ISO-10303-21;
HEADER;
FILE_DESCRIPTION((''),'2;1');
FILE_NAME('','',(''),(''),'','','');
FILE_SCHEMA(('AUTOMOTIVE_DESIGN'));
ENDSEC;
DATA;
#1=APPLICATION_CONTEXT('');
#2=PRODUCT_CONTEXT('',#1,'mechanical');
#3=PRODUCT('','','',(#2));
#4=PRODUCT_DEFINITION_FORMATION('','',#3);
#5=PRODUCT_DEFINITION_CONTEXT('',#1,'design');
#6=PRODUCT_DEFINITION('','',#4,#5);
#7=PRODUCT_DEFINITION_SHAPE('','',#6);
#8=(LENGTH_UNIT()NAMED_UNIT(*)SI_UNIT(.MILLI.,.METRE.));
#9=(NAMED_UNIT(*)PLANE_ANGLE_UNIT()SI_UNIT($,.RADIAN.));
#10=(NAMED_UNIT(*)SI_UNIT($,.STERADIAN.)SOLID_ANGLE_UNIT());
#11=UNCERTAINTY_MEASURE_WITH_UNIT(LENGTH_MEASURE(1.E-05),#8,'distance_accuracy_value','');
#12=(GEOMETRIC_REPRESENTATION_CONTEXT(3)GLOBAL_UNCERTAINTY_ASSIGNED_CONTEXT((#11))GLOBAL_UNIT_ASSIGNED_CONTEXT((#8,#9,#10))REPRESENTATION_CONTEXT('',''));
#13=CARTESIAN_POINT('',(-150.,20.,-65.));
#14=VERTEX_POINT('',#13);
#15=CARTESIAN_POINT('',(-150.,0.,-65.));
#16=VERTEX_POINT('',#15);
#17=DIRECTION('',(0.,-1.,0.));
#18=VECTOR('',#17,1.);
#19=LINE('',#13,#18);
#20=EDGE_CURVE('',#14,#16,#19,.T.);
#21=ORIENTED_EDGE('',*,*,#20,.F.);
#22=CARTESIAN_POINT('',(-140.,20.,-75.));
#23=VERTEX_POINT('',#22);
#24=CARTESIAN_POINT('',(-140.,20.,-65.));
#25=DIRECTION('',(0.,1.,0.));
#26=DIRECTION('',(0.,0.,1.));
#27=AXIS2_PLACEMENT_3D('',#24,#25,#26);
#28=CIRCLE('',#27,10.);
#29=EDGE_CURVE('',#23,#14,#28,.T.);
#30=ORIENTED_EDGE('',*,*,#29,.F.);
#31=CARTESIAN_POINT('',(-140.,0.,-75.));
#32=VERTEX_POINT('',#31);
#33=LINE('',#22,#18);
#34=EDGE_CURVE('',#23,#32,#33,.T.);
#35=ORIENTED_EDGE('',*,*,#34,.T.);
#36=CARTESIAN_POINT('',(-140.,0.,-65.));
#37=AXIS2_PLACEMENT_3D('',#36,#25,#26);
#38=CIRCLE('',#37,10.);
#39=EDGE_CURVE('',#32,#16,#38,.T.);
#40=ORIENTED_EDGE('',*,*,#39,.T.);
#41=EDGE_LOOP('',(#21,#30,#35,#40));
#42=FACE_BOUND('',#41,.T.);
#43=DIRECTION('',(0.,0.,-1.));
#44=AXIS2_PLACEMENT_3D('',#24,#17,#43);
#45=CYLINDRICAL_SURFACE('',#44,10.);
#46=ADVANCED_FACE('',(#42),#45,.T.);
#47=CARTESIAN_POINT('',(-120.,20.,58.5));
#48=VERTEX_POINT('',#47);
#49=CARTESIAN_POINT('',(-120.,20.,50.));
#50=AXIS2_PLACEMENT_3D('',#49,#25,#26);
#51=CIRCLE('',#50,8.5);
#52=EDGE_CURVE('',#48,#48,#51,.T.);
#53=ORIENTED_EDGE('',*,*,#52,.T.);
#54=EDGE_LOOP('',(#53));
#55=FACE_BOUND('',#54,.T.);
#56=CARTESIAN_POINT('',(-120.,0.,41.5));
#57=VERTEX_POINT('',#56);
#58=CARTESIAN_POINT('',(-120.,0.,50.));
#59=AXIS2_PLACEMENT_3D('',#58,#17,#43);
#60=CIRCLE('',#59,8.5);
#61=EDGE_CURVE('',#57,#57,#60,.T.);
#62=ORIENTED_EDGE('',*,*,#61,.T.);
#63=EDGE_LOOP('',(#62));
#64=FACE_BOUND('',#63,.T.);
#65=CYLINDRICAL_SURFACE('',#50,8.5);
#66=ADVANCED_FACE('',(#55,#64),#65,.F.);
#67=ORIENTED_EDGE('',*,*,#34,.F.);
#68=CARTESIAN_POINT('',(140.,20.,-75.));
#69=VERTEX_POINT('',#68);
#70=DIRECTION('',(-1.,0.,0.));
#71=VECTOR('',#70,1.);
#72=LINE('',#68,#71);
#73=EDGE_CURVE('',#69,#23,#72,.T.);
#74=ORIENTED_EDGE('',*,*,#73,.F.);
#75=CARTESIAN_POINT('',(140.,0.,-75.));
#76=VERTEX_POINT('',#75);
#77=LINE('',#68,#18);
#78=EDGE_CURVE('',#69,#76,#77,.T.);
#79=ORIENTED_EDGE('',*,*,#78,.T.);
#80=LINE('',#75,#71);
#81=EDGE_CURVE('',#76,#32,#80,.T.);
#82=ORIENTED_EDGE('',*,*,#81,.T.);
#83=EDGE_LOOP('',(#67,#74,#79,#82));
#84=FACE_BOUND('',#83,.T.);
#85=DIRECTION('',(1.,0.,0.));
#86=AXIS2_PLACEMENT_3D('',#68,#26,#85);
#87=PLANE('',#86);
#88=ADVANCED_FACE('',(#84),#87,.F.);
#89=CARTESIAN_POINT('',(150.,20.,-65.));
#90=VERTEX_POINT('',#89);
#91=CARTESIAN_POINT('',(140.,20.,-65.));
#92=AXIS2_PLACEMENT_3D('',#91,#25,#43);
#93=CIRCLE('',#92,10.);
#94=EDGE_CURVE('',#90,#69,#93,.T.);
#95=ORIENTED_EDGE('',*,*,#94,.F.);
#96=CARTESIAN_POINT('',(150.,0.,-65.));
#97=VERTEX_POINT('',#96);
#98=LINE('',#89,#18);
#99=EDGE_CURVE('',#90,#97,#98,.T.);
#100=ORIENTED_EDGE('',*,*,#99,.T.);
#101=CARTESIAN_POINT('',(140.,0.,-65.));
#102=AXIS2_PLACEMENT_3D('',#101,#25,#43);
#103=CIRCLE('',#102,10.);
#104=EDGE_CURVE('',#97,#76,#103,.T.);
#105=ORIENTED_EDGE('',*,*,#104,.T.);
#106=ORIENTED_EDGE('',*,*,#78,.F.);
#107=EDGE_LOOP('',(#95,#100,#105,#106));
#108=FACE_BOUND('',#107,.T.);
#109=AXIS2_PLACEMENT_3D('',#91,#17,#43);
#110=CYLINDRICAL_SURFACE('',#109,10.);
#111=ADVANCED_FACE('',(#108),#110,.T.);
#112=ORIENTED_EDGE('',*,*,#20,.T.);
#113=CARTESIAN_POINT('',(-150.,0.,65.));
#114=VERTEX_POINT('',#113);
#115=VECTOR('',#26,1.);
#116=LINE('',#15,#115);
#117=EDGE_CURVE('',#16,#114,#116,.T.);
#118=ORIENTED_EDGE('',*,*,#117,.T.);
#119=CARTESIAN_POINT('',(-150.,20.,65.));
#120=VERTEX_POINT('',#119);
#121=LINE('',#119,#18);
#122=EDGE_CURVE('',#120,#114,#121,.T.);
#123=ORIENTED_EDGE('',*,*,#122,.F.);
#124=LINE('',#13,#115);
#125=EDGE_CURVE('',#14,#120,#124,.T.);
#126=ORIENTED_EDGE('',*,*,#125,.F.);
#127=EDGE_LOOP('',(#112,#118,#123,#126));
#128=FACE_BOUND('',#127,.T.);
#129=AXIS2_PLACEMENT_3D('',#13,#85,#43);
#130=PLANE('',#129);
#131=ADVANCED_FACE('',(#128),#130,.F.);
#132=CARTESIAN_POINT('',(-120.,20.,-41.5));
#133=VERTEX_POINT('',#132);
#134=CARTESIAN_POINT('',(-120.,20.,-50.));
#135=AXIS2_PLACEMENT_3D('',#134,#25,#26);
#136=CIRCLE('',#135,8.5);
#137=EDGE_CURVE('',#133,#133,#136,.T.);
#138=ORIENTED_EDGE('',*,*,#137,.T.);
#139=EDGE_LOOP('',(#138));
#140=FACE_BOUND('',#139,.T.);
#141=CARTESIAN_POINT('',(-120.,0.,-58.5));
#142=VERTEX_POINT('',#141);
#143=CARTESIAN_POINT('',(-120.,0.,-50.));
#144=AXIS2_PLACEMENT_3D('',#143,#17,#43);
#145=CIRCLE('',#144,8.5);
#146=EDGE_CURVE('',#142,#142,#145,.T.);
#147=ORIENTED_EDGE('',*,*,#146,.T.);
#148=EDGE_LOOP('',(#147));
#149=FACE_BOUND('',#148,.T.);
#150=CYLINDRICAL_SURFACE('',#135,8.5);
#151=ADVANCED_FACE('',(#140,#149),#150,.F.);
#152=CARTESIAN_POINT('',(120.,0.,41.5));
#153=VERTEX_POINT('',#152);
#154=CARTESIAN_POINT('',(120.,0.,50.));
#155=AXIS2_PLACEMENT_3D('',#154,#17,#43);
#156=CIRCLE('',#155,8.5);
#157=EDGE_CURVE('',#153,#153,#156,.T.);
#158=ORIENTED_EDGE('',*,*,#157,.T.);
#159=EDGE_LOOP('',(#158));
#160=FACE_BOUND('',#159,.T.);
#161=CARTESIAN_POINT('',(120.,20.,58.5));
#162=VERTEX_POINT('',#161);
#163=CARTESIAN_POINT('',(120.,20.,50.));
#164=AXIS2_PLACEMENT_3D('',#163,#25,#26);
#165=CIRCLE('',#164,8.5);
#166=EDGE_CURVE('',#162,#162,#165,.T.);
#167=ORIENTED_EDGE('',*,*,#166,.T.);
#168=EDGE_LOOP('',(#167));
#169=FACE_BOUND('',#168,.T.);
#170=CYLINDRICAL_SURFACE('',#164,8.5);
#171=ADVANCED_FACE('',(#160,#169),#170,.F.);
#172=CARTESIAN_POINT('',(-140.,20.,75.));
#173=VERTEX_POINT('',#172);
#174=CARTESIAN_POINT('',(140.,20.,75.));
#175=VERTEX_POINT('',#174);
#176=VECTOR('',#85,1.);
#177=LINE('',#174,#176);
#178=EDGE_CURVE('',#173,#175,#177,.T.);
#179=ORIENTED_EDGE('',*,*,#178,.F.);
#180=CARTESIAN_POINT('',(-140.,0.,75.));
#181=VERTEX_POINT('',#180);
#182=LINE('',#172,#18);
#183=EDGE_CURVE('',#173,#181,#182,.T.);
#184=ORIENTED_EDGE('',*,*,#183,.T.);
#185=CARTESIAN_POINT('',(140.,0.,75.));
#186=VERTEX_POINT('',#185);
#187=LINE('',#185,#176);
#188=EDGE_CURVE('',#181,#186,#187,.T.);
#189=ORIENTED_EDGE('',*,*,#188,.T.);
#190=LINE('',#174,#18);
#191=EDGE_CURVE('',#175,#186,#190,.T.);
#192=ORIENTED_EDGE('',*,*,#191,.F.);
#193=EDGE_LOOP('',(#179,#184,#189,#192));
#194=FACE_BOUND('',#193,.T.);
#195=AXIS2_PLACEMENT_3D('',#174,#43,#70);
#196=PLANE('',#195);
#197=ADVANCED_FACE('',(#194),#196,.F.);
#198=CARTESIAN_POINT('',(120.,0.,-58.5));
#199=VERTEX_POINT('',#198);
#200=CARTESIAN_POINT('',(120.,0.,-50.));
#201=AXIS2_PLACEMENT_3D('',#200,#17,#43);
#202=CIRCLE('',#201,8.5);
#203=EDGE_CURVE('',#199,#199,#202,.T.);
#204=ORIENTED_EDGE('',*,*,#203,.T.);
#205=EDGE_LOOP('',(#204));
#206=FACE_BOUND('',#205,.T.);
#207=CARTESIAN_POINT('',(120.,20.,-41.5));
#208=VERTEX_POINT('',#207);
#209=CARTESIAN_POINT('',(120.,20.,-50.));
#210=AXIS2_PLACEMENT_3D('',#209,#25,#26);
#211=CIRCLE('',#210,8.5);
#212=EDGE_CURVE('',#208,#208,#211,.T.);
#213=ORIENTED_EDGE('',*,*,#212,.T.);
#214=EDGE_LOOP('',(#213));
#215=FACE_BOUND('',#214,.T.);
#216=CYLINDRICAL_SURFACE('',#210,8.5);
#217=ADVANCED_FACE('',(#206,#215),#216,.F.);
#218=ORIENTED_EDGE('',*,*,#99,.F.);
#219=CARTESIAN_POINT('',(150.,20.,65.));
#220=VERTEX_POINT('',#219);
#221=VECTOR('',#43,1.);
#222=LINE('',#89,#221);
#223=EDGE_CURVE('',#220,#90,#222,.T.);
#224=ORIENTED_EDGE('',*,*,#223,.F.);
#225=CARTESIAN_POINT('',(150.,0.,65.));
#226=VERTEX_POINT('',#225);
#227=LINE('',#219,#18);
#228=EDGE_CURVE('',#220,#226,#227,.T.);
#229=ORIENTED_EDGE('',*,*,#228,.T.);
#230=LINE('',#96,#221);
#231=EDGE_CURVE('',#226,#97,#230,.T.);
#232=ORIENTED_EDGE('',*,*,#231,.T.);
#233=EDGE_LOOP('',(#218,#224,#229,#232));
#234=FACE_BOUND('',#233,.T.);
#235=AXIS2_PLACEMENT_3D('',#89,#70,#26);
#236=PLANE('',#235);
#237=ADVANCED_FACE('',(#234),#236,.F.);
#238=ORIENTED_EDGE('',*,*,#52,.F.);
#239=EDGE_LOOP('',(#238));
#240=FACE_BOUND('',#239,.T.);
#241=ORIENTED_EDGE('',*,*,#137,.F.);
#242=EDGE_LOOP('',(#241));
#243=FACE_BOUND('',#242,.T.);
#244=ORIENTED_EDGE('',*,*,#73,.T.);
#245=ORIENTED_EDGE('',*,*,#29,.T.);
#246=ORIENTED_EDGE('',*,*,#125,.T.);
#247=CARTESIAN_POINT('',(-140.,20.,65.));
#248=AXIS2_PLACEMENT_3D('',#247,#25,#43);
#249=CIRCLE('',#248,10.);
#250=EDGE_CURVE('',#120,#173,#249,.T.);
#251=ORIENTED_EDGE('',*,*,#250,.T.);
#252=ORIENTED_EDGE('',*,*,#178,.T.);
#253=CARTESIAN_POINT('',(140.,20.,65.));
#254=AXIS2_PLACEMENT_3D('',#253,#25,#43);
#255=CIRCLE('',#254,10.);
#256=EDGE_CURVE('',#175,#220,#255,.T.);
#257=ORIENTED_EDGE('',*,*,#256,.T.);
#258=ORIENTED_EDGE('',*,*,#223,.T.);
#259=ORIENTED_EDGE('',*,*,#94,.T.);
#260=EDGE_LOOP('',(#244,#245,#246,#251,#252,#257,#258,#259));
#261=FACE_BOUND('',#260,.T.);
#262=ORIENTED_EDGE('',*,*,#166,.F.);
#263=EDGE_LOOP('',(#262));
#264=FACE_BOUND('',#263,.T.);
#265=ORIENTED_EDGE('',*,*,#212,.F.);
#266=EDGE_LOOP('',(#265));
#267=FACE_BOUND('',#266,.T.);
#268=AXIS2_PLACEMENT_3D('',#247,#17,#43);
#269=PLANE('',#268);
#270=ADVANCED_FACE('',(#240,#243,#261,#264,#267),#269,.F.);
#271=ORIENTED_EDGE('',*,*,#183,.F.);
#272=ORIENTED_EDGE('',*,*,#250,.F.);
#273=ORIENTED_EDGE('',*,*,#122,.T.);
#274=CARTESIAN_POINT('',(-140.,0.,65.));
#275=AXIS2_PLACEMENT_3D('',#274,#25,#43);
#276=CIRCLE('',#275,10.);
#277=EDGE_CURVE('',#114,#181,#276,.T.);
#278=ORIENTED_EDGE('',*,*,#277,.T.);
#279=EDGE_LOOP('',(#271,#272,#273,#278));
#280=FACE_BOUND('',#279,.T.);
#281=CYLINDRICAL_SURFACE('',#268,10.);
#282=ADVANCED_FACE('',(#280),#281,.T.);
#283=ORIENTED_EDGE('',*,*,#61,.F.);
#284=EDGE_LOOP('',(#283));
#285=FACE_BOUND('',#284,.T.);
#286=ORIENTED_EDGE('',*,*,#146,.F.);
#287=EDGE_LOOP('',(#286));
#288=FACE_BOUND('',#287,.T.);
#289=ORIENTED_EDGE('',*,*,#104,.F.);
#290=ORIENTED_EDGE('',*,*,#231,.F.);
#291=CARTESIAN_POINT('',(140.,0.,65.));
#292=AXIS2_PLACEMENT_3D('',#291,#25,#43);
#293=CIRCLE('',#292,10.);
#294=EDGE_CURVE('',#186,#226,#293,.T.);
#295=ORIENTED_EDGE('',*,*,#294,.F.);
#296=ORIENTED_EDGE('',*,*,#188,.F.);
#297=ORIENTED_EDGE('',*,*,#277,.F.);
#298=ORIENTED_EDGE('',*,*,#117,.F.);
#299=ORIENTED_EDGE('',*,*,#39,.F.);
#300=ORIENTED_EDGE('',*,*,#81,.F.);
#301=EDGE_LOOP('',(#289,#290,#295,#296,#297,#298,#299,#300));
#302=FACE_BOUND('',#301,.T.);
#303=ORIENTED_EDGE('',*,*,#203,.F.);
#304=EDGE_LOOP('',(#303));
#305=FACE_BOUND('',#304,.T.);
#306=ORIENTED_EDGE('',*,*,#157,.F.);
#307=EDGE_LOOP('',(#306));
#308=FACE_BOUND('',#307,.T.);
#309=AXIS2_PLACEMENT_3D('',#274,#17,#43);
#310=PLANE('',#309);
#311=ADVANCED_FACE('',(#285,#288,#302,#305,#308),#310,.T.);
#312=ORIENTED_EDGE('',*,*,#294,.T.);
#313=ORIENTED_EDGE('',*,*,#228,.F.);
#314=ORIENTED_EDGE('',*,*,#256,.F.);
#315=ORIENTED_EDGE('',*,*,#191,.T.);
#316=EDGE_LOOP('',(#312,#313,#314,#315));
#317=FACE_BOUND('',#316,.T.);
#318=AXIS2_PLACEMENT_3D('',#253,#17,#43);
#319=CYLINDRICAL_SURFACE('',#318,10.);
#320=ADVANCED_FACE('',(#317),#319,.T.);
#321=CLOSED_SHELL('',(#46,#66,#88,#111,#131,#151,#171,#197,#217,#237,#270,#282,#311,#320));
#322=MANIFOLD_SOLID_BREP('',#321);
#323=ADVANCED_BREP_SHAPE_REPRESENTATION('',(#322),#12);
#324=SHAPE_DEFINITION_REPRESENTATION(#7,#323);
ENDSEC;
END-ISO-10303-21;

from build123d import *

# Parameters (mm, degrees)
SALIENTE_EXTRUIR2_DEPTH             = 20
DI_METRO_DE_TALADRO_17_0_17_1_D     = 17
DI_METRO_DE_TALADRO_17_0_17_1_DEPTH = 20


with BuildPart() as part:
    # Croquis1 → Saliente-Extruir2 (new body)
    with BuildSketch(Plane(origin=(0, 0, 0), x_dir=(1, 0, 0), z_dir=(0, 1, 0))):
        with BuildLine():
            Line((140, 75), (-140, 75))
            ThreePointArc((-140, 75), (-147.071067812, 72.071067812), (-150, 65))
            Line((-150, 65), (-150, -65))
            ThreePointArc((-150, -65), (-147.071067812, -72.071067812), (-140, -75))
            Line((-140, -75), (140, -75))
            ThreePointArc((140, -75), (147.071067812, -72.071067812), (150, -65))
            Line((150, -65), (150, 65))
            ThreePointArc((150, 65), (147.071067812, 72.071067812), (140, 75))
        make_face()
    extrude(amount=SALIENTE_EXTRUIR2_DEPTH)

    # Diámetro de taladro Ø17.0 (17)1
    with Locations(Plane(origin=(-120, 20, -50), x_dir=(0, 0, 1), z_dir=(0, 1, 0))):
        with Locations((0, 0), (100, 0), (100, 240), (0, 240)):
            Hole(DI_METRO_DE_TALADRO_17_0_17_1_D / 2, depth=DI_METRO_DE_TALADRO_17_0_17_1_DEPTH)


solid = part.part
